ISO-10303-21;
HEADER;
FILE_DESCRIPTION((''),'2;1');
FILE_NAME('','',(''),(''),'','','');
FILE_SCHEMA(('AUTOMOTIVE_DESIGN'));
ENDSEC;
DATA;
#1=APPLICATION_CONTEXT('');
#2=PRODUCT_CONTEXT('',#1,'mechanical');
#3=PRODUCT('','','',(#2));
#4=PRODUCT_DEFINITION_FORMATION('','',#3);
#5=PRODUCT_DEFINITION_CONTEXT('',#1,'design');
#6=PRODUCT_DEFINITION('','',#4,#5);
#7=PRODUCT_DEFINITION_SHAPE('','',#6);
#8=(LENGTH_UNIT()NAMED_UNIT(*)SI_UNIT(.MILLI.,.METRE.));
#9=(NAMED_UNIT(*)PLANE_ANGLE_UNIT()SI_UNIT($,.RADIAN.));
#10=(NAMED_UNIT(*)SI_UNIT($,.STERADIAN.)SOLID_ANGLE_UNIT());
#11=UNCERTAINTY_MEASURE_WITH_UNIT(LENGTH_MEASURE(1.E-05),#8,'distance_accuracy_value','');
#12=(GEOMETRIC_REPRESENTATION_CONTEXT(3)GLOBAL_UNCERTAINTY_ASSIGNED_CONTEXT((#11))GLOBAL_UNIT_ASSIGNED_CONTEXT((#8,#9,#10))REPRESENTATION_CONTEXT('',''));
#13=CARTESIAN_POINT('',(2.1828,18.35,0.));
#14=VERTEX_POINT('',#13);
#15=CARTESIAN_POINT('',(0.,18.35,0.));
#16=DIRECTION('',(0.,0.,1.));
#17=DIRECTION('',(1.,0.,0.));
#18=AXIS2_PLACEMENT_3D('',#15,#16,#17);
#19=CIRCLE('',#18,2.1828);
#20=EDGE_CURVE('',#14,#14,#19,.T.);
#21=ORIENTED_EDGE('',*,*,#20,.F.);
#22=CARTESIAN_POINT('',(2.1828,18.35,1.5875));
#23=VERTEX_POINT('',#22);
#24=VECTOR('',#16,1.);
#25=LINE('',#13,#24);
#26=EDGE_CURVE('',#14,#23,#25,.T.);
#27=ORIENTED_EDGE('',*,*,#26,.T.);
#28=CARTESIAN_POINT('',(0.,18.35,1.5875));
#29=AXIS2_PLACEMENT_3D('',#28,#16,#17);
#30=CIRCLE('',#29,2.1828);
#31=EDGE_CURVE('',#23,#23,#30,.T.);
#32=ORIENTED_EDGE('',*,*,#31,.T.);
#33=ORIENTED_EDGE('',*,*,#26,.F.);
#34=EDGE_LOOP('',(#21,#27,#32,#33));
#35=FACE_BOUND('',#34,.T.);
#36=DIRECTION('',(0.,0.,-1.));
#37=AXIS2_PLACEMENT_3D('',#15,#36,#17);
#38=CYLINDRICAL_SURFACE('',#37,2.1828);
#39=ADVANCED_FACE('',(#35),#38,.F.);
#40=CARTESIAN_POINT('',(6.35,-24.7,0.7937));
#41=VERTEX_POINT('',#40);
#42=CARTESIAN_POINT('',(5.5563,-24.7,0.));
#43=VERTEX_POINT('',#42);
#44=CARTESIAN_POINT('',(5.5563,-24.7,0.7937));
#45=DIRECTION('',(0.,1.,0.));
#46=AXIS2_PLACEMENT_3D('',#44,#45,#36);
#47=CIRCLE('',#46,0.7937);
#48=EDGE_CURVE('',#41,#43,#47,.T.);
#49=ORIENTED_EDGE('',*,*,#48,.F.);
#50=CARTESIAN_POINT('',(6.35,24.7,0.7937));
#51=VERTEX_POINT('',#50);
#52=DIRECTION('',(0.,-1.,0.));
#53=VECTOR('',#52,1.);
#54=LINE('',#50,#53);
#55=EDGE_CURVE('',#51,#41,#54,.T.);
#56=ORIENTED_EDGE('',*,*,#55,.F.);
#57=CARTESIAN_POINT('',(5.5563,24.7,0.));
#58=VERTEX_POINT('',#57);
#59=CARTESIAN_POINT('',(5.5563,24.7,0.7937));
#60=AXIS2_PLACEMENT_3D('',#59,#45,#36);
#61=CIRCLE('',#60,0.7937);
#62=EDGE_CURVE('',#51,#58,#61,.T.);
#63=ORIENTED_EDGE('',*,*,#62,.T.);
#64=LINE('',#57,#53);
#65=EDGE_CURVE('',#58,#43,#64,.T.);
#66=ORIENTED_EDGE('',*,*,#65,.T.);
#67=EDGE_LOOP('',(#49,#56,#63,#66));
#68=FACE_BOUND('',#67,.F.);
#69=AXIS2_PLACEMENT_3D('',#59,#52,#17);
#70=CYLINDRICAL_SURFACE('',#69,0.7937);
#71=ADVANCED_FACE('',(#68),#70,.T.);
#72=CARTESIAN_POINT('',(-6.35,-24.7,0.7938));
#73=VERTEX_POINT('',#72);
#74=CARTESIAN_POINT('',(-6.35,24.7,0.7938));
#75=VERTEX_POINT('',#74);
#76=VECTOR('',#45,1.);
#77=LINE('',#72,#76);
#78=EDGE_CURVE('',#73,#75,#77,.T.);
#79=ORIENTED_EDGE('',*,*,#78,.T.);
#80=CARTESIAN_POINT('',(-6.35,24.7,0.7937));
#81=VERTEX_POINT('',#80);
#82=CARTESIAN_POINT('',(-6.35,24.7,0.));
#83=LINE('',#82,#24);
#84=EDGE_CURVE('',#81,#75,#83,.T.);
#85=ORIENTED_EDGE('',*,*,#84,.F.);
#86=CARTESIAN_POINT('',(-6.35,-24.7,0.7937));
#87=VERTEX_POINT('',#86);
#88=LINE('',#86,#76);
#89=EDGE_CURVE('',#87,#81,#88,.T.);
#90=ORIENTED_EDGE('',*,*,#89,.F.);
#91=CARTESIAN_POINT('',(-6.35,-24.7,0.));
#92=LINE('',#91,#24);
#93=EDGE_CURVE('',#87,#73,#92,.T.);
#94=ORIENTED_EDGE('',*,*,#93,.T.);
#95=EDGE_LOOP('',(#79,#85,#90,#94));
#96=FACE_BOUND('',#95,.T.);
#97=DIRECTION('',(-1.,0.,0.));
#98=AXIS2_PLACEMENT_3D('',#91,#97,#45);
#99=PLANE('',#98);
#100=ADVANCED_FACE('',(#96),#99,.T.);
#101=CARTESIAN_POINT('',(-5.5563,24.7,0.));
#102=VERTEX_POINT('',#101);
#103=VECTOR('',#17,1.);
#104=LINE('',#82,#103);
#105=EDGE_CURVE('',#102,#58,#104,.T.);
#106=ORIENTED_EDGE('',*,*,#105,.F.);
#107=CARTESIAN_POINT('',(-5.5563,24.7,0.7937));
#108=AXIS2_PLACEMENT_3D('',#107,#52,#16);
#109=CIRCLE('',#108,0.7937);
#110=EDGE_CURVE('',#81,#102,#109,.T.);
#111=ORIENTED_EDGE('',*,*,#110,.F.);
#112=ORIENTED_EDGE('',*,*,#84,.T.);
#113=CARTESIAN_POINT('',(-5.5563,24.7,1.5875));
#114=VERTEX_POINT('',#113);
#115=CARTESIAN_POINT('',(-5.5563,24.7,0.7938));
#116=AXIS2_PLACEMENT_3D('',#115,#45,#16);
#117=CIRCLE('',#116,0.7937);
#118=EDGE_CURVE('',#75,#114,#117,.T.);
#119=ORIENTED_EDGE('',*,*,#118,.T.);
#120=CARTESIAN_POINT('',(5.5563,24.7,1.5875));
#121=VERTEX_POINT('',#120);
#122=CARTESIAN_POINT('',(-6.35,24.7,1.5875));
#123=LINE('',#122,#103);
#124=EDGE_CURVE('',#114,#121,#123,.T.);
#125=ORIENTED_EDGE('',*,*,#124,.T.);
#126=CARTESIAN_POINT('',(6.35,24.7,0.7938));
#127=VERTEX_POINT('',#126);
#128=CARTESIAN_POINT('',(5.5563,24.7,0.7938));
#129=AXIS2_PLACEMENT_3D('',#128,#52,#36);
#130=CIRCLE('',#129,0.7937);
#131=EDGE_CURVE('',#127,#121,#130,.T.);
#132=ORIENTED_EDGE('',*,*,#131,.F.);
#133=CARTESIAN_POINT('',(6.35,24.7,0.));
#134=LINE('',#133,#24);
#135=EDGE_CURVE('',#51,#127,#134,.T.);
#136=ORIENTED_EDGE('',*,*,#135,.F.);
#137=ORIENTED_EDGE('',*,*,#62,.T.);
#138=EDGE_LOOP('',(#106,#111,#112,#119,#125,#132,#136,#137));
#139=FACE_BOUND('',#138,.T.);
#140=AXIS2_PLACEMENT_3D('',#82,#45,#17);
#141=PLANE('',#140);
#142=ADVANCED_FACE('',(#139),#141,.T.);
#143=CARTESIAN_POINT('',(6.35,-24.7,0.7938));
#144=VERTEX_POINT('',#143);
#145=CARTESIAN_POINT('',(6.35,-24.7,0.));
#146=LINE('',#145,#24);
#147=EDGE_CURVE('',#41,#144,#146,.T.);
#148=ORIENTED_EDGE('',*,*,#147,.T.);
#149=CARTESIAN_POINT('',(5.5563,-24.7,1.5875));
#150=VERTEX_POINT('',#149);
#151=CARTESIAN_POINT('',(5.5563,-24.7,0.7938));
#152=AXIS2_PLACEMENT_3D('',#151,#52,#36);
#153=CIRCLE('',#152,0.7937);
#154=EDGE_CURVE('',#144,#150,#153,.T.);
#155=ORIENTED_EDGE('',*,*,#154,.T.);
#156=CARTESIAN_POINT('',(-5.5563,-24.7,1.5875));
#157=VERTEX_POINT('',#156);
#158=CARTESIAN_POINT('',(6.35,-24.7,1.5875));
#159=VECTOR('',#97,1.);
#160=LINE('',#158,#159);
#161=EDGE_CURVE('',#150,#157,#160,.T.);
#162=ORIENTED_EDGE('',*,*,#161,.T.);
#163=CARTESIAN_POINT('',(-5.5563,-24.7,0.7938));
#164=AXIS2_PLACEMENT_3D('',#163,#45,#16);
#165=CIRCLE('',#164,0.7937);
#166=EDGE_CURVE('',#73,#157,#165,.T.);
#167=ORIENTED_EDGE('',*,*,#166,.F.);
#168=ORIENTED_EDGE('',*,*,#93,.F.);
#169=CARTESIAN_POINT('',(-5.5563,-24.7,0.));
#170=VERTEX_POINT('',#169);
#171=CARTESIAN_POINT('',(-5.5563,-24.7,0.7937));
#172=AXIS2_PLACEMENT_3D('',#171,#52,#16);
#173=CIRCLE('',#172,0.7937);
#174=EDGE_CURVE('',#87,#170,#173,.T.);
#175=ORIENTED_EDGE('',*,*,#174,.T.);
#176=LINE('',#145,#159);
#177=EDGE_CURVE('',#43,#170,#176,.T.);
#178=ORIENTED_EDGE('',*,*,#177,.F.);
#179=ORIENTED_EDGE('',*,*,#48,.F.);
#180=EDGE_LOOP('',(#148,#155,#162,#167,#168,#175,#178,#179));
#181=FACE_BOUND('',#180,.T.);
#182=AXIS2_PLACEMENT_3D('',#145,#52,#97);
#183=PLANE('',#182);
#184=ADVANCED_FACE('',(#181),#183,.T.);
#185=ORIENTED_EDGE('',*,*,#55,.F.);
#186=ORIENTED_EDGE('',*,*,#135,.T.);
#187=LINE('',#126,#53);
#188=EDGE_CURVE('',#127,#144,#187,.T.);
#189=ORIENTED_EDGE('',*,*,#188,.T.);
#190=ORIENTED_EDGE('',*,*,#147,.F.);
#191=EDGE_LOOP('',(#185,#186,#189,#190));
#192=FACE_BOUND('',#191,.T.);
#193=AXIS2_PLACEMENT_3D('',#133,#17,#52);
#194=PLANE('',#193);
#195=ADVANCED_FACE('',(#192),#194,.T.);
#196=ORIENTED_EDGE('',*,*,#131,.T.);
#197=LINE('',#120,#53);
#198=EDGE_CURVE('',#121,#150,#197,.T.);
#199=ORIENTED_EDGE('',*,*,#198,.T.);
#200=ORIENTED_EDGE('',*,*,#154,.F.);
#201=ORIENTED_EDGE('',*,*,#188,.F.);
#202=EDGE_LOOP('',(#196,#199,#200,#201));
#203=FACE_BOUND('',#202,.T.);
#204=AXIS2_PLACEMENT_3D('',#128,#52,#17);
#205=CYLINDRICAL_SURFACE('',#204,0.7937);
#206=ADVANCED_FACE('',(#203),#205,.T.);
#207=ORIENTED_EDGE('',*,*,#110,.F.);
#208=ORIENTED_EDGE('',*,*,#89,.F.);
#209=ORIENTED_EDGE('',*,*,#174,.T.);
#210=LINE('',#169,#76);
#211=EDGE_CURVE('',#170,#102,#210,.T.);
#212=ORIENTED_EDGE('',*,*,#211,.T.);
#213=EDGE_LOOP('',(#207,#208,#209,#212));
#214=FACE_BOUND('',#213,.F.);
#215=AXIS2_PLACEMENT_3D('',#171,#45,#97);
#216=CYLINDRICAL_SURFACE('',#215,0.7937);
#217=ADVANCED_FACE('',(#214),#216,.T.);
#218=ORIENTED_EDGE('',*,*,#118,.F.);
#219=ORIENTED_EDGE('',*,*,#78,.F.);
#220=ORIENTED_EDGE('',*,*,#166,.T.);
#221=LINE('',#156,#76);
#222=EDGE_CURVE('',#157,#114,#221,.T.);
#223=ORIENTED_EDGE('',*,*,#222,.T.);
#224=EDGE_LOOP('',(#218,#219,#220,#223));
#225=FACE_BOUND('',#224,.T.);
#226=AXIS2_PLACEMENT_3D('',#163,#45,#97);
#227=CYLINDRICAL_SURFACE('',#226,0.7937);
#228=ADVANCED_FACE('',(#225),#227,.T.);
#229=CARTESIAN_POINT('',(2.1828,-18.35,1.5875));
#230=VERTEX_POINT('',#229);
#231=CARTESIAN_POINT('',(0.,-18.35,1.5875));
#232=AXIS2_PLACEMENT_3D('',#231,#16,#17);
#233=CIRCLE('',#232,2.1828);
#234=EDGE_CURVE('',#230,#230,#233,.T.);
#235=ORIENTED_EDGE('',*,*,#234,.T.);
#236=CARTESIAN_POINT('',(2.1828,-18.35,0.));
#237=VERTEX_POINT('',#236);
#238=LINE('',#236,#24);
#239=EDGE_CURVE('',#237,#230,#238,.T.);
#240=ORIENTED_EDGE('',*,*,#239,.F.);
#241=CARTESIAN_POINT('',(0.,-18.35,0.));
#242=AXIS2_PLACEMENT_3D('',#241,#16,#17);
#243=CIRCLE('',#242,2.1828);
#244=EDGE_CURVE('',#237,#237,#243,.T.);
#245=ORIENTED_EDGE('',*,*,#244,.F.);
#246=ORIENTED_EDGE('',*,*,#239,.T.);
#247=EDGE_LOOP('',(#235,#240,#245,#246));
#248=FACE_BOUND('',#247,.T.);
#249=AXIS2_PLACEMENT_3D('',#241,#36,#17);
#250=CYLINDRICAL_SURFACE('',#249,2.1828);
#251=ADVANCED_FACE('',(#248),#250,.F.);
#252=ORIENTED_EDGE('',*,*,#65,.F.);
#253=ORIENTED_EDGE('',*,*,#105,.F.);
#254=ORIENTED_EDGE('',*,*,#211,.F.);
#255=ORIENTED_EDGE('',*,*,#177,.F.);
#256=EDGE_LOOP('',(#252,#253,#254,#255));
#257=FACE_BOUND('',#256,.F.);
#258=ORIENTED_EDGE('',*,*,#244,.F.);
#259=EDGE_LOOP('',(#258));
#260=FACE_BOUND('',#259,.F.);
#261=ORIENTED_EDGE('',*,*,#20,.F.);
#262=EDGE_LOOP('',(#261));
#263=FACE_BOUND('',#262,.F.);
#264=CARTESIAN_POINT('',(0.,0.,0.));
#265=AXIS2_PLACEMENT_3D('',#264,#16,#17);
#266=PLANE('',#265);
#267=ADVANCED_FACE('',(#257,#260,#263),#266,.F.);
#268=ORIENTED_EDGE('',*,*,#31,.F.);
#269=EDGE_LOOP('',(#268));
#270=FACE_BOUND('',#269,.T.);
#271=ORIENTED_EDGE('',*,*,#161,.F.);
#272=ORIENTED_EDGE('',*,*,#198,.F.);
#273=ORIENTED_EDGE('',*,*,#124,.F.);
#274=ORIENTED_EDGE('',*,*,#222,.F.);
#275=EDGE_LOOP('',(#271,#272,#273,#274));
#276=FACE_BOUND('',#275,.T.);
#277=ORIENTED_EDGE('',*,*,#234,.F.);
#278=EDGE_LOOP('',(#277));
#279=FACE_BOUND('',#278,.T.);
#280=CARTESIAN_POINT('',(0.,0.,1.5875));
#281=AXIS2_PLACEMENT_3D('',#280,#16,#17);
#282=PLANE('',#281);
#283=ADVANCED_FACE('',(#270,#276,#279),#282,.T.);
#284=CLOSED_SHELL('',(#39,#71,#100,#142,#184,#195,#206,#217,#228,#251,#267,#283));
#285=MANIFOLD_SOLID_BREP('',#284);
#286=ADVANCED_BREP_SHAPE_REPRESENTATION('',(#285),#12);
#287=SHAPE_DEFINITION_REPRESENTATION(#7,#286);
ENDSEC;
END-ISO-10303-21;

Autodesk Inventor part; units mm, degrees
ref_plane "YZ Plane" through (0, 0, 0) normal (1, 0, 0) x (0, 1, 0)
ref_plane "XZ Plane" through (0, 0, 0) normal (0, 1, 0) x (-1, 0, 0)
ref_plane "XY Plane" through (0, 0, 0) normal (0, 0, 1) x (1, 0, 0)
sketch "Sketch1" plane through (0, 0, 0) normal (0, 0, 1) x (1, 0, 0)
  circle A0 centre (0, 18.35) radius 2.1828
  circle A1 centre (0, -18.35) radius 2.1828
  line L0 (6.35, -24.7) -> (-6.35, -24.7)
  line L1 (-6.35, -24.7) -> (-6.35, 24.7)
  line L2 (-6.35, 24.7) -> (6.35, 24.7)
  line L3 (6.35, 24.7) -> (6.35, -24.7)
  line L4 (6.35, -24.7) -> (-6.35, 24.7) construction
  line L5 (-6.35, -24.7) -> (6.35, 24.7) construction
  point P0 (0, 0)
  dimension "d0" = 4.3656
  dimension "d1" = 4.3656
  dimension "d2" = 36.7
  dimension "d3" = 18.35
  dimension "d4" = 12.7
  dimension "d5" = 6.35
  dimension "d6" = 6.35
extrude "Extrusion1" add sketch "Sketch1" along normal blind 1.5875
fillet "Fillet1" radius 0.7937 4 edges at (-6.35, 0, 0) (-6.35, 0, 1.5875) (6.35, 0, 0) (6.35, 0, 1.5875)
properties part number "Part G"
